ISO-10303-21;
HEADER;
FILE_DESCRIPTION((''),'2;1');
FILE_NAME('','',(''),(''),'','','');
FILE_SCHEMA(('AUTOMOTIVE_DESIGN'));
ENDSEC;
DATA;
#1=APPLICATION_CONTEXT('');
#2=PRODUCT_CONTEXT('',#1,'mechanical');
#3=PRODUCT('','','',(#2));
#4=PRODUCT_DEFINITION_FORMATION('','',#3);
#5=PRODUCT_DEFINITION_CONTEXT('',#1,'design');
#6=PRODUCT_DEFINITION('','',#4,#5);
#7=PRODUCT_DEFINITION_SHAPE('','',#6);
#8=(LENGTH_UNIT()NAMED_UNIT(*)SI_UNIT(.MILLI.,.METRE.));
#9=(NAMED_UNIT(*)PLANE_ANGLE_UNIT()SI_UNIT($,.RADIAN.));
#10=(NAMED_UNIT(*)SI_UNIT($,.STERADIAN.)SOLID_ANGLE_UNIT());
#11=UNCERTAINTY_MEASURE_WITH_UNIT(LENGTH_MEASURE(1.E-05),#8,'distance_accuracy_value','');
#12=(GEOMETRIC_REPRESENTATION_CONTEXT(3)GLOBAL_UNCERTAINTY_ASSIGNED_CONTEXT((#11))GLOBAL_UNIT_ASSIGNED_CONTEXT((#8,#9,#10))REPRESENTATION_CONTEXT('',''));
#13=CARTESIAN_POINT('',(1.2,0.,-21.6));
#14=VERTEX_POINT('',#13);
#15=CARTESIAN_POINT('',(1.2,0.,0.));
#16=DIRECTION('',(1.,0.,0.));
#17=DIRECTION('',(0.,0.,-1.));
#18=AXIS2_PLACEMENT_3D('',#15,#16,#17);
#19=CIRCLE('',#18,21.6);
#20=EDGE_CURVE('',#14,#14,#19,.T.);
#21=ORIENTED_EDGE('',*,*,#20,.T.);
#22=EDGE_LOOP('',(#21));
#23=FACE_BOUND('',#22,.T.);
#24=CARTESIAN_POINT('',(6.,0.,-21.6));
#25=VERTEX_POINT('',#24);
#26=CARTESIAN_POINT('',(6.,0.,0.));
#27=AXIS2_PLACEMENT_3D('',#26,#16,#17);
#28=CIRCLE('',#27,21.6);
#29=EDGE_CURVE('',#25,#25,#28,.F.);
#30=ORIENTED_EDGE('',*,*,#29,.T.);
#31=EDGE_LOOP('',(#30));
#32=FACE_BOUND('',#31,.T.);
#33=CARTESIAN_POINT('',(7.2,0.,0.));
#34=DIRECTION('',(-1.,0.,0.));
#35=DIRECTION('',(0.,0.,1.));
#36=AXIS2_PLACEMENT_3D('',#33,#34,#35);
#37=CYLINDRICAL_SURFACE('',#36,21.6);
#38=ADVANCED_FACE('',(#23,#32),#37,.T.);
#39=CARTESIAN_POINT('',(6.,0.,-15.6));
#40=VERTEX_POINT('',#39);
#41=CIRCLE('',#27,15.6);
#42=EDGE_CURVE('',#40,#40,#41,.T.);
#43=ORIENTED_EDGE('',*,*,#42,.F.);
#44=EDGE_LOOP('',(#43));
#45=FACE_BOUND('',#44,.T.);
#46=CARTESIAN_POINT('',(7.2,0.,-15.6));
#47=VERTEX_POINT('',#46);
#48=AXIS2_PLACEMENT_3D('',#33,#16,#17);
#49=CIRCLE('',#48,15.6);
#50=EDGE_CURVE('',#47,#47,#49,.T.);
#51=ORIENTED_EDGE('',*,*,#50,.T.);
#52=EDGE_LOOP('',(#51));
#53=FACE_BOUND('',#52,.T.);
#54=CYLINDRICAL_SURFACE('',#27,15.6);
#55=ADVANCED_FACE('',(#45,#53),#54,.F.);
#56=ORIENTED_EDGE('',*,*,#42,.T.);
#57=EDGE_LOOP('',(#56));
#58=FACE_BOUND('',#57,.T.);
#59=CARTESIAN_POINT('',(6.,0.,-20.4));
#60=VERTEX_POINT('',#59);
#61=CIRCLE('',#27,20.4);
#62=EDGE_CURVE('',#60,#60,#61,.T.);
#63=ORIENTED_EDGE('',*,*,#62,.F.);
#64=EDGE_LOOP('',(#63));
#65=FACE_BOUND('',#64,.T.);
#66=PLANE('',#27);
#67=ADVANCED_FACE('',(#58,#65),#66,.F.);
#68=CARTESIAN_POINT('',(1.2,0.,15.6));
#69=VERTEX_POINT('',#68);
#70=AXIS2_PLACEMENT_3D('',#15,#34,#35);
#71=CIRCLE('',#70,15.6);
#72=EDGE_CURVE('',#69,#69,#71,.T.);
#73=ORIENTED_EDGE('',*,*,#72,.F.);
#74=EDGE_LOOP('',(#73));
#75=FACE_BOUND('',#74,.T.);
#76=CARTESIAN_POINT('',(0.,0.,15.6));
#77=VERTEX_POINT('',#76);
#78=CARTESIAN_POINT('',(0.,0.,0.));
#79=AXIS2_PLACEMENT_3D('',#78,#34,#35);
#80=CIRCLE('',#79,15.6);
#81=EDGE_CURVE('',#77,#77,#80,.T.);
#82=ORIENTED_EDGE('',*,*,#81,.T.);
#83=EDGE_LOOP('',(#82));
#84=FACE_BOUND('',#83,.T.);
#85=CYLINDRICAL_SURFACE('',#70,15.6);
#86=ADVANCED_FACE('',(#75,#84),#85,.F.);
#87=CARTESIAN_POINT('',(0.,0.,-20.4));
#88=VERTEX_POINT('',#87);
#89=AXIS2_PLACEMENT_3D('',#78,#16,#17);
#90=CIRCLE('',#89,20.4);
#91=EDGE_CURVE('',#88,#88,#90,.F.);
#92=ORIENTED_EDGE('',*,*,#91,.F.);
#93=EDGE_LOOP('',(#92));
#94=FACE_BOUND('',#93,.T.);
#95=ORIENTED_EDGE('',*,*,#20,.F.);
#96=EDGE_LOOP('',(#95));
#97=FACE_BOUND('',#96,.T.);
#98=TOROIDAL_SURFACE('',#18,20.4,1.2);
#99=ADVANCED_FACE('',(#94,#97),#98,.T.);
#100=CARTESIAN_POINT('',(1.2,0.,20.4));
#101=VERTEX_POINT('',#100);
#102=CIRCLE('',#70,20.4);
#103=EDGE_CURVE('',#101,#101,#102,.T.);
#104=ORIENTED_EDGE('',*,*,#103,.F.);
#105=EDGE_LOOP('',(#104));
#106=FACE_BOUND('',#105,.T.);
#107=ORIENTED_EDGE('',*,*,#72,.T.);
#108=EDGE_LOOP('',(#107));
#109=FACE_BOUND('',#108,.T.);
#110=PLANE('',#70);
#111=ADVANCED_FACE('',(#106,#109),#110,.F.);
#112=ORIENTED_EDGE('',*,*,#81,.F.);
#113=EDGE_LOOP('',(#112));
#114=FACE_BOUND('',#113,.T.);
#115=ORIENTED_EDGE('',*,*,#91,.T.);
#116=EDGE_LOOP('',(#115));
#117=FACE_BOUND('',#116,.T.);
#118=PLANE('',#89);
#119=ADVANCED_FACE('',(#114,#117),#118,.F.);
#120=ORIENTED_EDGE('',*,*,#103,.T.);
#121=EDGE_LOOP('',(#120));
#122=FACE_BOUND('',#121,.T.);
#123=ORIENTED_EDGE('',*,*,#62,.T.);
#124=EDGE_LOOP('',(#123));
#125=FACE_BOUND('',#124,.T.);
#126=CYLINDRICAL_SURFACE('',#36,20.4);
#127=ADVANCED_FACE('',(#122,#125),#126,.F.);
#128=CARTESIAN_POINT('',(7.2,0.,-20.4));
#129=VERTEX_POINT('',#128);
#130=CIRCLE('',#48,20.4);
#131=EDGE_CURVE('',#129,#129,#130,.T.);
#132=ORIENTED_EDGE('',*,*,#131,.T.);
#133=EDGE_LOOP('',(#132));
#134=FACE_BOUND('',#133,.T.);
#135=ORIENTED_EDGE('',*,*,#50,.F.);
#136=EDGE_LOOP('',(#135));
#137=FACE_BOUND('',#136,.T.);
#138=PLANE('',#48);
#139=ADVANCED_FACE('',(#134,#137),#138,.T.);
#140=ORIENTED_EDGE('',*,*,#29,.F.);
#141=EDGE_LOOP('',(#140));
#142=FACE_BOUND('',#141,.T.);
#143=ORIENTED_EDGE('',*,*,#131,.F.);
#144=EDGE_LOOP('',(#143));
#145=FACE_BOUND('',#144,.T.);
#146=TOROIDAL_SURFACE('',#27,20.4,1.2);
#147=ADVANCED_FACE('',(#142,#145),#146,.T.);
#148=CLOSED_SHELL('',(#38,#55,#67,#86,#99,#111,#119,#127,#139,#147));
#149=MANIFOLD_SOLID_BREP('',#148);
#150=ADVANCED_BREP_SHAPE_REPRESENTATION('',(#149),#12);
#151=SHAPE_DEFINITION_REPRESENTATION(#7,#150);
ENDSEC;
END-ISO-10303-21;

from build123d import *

# Parameters (mm, degrees)
ESQUISSE1_R        = 21.6
ESQUISSE1_R_2      = 20.4
BOSS_EXTRU_3_DEPTH = 7.2
BOSS_EXTRU_4_START = -1.2
ESQUISSE4_R        = 20.4
ESQUISSE4_R_2      = 15.6
BOSS_EXTRU_4_DEPTH = 1.2
ESQUISSE5_R        = 20.4
ESQUISSE5_R_2      = 15.6
BOSS_EXTRU_5_DEPTH = 1.2
CONG_3_R           = 1.2


with BuildPart() as part:
    # Esquisse1 → Boss.-Extru.3 (new body)
    with BuildSketch(Plane(origin=(0, 0, 0), x_dir=(0, 0, -1), z_dir=(1, 0, 0))):
        Circle(ESQUISSE1_R)
        Circle(ESQUISSE1_R_2, mode=Mode.SUBTRACT)
    extrude(amount=BOSS_EXTRU_3_DEPTH)

    # Esquisse4 → Boss.-Extru.4 (add)
    with BuildSketch(Plane(origin=(7.2, 0, 0), x_dir=(0, 0, -1), z_dir=(1, 0, 0)).offset(BOSS_EXTRU_4_START)):
        Circle(ESQUISSE4_R)
        Circle(ESQUISSE4_R_2, mode=Mode.SUBTRACT)
    extrude(amount=BOSS_EXTRU_4_DEPTH)

    # Esquisse5 → Boss.-Extru.5 (add)
    with BuildSketch(Plane.ZY):
        Circle(ESQUISSE5_R)
        with Locations(Location((0, 0, 0), (0, 0, 180))):
            Circle(ESQUISSE5_R_2, mode=Mode.SUBTRACT)
    extrude(amount=-BOSS_EXTRU_5_DEPTH)

    # Congé3
    cong_3_edges = [part.edges().sort_by_distance(p)[0] for p in [
        (0, 0, 21.6),
        (7.2, 0, 21.6),
    ]]
    fillet(cong_3_edges, radius=CONG_3_R)


solid = part.part
